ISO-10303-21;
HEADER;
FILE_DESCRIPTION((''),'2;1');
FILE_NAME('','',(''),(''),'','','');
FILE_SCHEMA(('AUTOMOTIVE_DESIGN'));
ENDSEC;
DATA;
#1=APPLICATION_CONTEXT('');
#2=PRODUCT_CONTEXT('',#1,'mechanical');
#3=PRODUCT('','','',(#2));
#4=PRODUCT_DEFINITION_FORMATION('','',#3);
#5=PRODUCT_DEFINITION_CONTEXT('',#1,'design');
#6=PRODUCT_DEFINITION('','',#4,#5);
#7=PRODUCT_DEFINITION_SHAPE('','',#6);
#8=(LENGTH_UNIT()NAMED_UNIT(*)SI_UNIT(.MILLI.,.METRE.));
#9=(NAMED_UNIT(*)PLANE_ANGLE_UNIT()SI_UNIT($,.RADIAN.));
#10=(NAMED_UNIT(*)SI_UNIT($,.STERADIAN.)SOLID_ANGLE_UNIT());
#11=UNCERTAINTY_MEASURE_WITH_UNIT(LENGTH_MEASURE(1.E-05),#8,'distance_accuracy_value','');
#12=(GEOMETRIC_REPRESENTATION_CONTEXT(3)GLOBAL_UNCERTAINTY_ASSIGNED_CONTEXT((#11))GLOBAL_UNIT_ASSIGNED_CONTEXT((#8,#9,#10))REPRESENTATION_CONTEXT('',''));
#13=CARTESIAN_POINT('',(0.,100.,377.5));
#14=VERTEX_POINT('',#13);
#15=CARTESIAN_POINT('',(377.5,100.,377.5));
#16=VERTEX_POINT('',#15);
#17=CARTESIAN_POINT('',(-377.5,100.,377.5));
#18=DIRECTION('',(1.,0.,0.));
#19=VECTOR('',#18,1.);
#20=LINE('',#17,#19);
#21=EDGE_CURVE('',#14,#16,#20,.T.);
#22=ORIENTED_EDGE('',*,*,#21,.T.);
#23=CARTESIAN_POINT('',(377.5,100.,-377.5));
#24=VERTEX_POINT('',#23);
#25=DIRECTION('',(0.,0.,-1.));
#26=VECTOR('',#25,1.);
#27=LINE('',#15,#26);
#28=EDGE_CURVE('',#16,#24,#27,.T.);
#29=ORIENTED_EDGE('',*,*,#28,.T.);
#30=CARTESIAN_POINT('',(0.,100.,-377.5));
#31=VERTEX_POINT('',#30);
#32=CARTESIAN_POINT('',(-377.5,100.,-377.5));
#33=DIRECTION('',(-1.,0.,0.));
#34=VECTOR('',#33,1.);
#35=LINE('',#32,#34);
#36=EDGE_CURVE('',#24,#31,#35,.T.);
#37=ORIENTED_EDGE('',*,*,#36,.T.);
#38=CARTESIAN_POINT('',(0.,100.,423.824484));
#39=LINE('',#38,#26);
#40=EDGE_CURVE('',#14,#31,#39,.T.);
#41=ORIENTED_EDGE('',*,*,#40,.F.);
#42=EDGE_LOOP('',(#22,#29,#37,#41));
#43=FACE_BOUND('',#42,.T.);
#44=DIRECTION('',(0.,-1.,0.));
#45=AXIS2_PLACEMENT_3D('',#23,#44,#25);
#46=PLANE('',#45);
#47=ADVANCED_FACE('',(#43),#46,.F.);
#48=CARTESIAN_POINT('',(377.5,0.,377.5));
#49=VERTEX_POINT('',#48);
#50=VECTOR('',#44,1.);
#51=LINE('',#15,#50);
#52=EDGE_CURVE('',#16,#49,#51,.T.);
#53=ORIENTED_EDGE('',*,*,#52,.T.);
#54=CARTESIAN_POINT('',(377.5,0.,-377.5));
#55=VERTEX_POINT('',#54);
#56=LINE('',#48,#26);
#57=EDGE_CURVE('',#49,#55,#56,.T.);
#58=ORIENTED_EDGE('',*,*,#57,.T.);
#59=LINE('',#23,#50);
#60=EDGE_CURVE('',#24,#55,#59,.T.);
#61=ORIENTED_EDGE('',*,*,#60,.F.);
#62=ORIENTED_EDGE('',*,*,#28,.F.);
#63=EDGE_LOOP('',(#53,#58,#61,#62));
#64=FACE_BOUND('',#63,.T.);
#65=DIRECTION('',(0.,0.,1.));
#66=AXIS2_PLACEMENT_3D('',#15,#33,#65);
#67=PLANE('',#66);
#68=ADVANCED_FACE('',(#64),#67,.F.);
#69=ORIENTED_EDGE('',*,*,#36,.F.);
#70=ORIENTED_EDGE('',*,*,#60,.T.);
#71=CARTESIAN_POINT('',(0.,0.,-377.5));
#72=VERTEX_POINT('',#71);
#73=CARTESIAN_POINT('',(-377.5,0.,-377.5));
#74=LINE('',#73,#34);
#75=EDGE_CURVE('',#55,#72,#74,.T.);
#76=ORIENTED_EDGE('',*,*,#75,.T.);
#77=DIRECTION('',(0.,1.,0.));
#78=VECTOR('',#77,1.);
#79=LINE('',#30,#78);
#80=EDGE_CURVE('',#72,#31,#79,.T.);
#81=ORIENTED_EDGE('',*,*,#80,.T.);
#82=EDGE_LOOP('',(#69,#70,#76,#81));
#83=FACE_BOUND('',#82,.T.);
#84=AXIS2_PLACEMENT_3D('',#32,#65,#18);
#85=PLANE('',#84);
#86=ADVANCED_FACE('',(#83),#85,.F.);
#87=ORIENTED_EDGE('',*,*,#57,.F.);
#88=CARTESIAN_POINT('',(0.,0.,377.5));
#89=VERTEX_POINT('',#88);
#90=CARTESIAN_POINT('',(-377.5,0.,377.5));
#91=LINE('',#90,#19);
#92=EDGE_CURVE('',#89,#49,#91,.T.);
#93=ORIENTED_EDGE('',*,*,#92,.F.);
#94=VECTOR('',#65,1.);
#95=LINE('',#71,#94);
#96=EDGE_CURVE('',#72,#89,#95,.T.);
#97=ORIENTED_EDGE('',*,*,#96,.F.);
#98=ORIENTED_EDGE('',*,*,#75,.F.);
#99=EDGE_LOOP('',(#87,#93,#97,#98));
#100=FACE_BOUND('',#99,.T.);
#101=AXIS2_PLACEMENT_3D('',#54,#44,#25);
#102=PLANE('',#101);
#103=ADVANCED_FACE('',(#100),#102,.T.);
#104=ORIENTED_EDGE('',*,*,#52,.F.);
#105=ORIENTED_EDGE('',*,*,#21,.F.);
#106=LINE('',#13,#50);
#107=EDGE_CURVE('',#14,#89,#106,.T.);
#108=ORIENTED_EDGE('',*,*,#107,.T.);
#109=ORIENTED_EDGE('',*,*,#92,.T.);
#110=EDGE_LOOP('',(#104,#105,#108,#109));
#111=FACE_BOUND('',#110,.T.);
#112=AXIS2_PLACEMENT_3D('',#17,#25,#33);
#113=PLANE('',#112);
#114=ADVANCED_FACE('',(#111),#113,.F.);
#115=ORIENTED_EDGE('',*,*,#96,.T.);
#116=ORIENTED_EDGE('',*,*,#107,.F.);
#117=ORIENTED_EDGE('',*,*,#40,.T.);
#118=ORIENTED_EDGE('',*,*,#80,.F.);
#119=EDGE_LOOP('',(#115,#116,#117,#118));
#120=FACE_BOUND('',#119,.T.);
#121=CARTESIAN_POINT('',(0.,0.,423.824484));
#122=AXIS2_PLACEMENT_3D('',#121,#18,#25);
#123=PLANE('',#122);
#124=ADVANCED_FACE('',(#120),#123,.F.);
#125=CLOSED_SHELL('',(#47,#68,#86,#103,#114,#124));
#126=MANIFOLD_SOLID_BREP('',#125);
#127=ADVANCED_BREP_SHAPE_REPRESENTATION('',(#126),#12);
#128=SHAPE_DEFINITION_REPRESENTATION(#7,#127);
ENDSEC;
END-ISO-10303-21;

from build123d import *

# Parameters (mm, degrees)
SKETCH1_W      = 755
SKETCH1_H      = 755
EXTRUDE1_DEPTH = 100
SKETCH2_W      = 453.222713864
SKETCH2_H      = 819.883972468
EXTRUDE2_DEPTH = 101


with BuildPart() as part:
    # Sketch1 → Extrude1 (new body)
    with BuildSketch(Plane(origin=(0, 0, 0), x_dir=(1, 0, 0), z_dir=(0, 1, 0))):
        Rectangle(SKETCH1_W, SKETCH1_H)
    extrude(amount=EXTRUDE1_DEPTH)

    # Sketch2 → Extrude2 (cut, through all)
    with BuildSketch(Plane(origin=(0, 100, 0), x_dir=(1, 0, 0), z_dir=(0, 1, 0))):
        with Locations((-226.611356932, -13.882497542)):
            Rectangle(SKETCH2_W, SKETCH2_H)
    extrude(amount=-EXTRUDE2_DEPTH, mode=Mode.SUBTRACT)


solid = part.part
